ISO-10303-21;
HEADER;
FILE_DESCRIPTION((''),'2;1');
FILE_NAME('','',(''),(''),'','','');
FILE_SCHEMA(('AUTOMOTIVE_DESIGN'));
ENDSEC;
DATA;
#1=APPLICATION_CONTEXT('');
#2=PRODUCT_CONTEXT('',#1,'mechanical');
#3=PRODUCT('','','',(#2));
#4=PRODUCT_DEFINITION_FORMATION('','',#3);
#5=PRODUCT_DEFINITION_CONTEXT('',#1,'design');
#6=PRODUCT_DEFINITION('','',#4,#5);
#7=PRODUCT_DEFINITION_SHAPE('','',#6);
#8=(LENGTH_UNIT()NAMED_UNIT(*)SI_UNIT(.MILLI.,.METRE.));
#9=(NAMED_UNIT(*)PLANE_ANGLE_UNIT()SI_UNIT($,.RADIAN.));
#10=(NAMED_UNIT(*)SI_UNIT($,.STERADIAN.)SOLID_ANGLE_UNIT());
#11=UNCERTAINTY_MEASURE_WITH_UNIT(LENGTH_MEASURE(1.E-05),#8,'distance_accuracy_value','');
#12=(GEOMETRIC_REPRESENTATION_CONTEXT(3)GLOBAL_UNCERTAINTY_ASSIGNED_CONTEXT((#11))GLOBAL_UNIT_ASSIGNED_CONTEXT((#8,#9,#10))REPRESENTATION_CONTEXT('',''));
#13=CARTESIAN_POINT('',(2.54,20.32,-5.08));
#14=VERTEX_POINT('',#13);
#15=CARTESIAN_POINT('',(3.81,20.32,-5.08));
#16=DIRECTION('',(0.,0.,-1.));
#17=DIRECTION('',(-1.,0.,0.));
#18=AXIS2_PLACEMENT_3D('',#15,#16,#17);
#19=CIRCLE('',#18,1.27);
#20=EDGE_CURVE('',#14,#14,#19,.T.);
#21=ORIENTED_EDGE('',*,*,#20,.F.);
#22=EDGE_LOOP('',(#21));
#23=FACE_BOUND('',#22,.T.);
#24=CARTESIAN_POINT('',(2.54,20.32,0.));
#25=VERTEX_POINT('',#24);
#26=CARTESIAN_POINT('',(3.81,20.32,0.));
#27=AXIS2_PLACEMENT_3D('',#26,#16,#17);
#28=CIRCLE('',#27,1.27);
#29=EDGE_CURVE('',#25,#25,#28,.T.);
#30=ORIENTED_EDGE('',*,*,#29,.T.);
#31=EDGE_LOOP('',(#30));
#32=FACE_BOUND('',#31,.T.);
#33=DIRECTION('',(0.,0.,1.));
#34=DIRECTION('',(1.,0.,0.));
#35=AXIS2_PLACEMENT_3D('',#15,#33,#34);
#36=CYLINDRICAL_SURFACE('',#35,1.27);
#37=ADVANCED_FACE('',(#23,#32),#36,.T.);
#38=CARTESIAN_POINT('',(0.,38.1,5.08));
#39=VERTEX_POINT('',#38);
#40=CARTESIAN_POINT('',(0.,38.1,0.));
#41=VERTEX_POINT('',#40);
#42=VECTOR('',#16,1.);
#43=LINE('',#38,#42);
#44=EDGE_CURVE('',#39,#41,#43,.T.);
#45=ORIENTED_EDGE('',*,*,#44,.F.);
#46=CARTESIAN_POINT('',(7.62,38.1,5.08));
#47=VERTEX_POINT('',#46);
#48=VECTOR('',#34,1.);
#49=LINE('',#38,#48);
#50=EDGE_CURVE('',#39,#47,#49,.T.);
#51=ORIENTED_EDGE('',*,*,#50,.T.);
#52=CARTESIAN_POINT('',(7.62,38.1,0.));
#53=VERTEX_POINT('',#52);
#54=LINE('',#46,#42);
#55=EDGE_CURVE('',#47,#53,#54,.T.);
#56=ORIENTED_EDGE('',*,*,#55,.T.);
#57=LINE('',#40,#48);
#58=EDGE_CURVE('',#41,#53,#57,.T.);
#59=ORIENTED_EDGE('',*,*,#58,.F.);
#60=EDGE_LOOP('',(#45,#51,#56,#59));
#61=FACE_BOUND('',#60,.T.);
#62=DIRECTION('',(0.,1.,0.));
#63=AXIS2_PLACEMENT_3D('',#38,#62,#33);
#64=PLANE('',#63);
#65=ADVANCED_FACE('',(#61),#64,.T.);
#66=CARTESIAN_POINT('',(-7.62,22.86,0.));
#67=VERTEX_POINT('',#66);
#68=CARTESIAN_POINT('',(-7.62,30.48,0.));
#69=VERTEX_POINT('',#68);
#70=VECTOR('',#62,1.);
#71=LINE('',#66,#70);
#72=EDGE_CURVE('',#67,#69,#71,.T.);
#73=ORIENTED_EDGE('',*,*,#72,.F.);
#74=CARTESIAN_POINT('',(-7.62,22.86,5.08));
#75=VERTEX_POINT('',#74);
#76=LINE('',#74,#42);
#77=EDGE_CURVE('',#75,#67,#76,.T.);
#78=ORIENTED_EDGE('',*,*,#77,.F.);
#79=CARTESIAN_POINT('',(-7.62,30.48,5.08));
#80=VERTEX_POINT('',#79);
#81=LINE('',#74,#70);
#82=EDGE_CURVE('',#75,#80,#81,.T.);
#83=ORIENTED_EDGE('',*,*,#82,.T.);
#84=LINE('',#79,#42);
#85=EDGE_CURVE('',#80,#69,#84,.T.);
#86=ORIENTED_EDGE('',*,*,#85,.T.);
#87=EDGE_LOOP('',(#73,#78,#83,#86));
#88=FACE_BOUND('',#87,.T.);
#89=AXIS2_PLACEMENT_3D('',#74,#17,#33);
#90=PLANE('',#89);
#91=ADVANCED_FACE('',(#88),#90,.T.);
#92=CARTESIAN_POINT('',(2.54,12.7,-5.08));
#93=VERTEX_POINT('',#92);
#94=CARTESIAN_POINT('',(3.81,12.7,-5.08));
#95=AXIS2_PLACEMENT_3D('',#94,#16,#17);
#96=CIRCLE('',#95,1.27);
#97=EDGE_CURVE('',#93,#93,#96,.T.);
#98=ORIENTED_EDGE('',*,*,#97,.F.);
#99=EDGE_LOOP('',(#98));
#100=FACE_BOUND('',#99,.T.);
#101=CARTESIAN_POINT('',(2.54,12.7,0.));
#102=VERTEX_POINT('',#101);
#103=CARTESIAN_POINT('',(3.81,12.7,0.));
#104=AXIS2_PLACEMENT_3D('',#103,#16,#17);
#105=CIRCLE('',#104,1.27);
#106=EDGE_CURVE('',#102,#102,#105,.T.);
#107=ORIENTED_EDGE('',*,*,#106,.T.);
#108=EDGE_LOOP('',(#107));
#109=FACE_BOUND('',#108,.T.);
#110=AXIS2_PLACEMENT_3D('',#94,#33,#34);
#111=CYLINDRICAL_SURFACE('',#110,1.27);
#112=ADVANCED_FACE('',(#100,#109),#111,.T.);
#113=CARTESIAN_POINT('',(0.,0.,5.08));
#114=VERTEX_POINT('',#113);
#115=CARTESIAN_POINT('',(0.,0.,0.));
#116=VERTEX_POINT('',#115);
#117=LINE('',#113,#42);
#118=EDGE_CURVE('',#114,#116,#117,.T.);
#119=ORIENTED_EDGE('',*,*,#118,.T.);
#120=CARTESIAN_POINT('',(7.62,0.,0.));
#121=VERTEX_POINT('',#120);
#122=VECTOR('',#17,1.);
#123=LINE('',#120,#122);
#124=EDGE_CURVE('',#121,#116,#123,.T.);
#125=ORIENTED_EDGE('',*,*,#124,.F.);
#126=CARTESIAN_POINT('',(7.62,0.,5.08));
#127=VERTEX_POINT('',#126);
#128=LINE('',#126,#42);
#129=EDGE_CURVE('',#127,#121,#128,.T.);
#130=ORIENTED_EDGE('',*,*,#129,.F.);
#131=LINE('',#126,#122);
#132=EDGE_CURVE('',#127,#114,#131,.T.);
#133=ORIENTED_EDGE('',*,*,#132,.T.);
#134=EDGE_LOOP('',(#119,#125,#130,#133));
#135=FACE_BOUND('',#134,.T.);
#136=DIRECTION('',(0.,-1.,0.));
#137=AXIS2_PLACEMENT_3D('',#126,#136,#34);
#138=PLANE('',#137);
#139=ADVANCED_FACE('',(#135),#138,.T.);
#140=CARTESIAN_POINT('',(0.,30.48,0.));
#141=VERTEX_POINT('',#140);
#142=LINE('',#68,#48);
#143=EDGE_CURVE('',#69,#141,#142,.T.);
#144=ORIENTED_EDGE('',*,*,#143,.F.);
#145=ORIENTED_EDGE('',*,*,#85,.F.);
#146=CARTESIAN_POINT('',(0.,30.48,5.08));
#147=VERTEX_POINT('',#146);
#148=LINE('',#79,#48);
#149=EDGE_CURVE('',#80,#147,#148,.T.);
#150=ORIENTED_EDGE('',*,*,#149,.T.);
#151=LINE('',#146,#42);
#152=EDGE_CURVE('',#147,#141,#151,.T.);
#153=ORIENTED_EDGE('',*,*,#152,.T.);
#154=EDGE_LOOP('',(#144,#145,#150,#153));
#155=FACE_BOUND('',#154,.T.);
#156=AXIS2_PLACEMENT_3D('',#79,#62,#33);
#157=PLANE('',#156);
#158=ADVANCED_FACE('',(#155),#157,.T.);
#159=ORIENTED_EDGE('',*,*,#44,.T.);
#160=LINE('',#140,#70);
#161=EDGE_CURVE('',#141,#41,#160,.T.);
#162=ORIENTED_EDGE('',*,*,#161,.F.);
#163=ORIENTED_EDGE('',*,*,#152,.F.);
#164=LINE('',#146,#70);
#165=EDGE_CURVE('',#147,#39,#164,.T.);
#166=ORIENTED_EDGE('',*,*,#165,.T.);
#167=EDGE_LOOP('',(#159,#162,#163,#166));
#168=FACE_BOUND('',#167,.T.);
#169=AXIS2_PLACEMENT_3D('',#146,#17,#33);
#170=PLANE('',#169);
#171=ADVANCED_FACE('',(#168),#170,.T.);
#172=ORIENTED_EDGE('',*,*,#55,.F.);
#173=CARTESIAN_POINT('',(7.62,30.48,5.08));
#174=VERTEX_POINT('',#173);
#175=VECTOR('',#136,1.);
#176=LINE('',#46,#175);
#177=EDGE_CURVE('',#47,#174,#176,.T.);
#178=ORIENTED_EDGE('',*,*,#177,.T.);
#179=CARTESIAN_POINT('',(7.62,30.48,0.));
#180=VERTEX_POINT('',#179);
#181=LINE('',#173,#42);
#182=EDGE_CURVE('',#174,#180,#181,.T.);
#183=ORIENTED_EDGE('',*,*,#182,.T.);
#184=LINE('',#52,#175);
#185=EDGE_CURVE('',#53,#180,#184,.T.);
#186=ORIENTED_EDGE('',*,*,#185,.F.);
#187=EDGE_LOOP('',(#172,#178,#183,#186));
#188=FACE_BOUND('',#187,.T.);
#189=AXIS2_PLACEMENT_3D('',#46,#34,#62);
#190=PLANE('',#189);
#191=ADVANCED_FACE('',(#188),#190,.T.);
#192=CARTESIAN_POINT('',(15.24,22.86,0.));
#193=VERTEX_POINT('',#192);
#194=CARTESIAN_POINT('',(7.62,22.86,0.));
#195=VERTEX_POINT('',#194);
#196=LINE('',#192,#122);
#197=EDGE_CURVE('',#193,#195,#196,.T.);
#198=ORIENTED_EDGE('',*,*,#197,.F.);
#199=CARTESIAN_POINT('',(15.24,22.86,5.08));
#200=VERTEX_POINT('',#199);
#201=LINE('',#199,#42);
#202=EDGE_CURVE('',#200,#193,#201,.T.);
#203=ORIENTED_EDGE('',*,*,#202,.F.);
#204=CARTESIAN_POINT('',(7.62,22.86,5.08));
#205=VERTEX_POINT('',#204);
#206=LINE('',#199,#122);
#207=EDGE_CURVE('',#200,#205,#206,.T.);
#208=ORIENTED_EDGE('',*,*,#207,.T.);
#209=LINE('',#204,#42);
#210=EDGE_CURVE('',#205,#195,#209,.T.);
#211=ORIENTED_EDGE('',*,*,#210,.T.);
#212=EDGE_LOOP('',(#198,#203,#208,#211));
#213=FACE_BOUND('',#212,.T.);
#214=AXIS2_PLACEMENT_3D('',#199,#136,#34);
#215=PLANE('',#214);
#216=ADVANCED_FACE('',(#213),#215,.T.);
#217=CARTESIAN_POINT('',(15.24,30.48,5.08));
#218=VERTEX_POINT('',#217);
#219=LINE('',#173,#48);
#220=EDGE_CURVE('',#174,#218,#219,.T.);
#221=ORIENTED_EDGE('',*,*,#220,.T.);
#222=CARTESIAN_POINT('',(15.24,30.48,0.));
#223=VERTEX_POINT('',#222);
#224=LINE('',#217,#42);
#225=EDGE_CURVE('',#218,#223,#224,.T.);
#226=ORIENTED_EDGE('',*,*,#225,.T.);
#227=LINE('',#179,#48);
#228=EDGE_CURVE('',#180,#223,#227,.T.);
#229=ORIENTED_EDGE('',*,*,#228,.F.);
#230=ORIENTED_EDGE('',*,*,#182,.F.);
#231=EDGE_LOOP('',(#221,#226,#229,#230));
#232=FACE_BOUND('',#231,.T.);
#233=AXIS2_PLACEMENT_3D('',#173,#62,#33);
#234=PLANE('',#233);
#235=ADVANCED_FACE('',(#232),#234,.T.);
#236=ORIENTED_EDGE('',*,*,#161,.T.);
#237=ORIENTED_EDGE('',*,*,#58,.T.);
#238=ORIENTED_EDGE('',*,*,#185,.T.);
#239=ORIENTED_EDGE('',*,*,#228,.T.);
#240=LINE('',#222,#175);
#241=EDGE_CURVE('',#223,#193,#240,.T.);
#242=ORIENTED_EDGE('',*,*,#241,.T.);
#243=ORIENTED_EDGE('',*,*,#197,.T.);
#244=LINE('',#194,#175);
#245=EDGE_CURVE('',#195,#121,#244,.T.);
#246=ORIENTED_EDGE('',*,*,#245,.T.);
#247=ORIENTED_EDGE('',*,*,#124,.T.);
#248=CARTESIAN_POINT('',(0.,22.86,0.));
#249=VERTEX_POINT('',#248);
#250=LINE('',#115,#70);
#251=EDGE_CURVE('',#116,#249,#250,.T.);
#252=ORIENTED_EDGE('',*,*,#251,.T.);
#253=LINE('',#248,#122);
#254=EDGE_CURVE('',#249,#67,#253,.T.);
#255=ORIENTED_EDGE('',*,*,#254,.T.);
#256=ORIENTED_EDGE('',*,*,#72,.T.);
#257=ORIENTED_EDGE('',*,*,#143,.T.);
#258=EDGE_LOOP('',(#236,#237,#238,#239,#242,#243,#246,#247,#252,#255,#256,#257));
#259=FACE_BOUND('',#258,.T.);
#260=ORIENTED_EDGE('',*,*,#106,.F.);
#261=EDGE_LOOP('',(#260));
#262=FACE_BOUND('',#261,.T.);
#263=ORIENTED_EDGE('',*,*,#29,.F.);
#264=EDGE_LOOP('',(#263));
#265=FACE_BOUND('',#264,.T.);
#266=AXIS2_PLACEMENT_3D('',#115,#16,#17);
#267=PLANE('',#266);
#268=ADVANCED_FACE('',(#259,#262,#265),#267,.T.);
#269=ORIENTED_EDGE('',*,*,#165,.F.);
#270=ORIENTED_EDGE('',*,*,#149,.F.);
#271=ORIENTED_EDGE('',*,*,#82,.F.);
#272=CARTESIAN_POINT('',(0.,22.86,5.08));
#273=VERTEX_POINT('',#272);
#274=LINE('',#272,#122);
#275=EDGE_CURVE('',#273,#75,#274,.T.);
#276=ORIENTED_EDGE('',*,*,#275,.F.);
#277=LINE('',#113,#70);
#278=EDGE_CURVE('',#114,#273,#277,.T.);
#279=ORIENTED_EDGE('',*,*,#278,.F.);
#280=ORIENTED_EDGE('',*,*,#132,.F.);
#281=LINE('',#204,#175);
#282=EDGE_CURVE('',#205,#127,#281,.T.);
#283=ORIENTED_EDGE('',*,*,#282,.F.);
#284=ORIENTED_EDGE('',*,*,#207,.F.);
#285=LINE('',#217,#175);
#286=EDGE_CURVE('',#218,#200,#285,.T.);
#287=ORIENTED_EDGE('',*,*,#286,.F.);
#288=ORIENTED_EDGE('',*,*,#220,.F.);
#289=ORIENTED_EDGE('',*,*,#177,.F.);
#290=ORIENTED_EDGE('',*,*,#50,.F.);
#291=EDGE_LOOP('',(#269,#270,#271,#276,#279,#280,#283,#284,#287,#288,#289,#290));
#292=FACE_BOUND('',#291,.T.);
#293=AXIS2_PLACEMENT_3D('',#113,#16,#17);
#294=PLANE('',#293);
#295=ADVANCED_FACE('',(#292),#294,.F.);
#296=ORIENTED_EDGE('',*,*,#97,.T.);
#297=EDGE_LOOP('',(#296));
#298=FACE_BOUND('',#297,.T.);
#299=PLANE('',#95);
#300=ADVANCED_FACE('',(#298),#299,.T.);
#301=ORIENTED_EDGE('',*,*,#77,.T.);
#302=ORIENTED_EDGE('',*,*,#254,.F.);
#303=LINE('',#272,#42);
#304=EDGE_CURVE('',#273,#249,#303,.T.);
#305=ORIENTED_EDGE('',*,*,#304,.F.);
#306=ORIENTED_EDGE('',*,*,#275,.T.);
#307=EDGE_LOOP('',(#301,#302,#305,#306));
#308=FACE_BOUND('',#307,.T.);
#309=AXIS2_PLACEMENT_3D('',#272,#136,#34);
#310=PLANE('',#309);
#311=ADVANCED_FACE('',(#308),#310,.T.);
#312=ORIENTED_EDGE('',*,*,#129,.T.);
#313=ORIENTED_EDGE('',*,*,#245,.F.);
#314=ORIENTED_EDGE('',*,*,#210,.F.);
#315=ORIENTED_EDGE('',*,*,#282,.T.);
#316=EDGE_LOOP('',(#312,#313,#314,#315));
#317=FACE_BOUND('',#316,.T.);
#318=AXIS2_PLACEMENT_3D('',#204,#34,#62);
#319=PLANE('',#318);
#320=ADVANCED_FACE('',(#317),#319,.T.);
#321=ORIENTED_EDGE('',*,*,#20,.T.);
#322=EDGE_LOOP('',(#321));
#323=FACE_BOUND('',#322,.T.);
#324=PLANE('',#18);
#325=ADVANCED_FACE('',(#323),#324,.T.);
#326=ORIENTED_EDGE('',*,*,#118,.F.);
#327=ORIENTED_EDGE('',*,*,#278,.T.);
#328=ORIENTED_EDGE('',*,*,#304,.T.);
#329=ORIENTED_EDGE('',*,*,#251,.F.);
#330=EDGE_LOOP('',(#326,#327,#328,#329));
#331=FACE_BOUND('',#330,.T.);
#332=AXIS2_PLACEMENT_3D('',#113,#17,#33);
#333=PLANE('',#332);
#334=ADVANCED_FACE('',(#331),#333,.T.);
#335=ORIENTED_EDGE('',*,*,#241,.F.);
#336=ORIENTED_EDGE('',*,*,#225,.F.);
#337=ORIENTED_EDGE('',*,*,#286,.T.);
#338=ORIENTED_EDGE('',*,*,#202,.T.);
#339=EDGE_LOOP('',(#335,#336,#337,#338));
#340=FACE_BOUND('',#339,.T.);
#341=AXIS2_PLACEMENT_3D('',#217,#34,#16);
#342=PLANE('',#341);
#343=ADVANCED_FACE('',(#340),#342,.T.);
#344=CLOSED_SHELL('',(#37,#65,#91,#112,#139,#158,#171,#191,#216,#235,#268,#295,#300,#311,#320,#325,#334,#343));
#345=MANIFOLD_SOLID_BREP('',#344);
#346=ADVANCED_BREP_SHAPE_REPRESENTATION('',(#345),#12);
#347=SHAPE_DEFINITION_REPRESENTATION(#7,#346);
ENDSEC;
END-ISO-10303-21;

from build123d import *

# Parameters (mm, degrees)
BOSS_EXTRUDE1_DEPTH = 5.08
SKETCH2_R           = 1.27
BOSS_EXTRUDE2_DEPTH = 5.08


with BuildPart() as part:
    # Sketch1 → Boss-Extrude1 (new body)
    with BuildSketch(Plane.XY):
        Polygon((0, 0), (0, 22.86), (-7.62, 22.86), (-7.62, 30.48), (0, 30.48), (0, 38.1), (7.62, 38.1), (7.62, 30.48), (15.24, 30.48), (15.24, 22.86), (7.62, 22.86), (7.62, 0), align=None)
    extrude(amount=BOSS_EXTRUDE1_DEPTH)

    # Sketch2 → Boss-Extrude2 (add)
    with BuildSketch(Plane(origin=(0, 0, 0), x_dir=(-1, 0, 0), z_dir=(0, 0, -1))):
        with Locations((-3.81, 20.32)):
            Circle(SKETCH2_R)
        with Locations((-3.81, 12.7)):
            Circle(SKETCH2_R)
    extrude(amount=BOSS_EXTRUDE2_DEPTH)


solid = part.part
